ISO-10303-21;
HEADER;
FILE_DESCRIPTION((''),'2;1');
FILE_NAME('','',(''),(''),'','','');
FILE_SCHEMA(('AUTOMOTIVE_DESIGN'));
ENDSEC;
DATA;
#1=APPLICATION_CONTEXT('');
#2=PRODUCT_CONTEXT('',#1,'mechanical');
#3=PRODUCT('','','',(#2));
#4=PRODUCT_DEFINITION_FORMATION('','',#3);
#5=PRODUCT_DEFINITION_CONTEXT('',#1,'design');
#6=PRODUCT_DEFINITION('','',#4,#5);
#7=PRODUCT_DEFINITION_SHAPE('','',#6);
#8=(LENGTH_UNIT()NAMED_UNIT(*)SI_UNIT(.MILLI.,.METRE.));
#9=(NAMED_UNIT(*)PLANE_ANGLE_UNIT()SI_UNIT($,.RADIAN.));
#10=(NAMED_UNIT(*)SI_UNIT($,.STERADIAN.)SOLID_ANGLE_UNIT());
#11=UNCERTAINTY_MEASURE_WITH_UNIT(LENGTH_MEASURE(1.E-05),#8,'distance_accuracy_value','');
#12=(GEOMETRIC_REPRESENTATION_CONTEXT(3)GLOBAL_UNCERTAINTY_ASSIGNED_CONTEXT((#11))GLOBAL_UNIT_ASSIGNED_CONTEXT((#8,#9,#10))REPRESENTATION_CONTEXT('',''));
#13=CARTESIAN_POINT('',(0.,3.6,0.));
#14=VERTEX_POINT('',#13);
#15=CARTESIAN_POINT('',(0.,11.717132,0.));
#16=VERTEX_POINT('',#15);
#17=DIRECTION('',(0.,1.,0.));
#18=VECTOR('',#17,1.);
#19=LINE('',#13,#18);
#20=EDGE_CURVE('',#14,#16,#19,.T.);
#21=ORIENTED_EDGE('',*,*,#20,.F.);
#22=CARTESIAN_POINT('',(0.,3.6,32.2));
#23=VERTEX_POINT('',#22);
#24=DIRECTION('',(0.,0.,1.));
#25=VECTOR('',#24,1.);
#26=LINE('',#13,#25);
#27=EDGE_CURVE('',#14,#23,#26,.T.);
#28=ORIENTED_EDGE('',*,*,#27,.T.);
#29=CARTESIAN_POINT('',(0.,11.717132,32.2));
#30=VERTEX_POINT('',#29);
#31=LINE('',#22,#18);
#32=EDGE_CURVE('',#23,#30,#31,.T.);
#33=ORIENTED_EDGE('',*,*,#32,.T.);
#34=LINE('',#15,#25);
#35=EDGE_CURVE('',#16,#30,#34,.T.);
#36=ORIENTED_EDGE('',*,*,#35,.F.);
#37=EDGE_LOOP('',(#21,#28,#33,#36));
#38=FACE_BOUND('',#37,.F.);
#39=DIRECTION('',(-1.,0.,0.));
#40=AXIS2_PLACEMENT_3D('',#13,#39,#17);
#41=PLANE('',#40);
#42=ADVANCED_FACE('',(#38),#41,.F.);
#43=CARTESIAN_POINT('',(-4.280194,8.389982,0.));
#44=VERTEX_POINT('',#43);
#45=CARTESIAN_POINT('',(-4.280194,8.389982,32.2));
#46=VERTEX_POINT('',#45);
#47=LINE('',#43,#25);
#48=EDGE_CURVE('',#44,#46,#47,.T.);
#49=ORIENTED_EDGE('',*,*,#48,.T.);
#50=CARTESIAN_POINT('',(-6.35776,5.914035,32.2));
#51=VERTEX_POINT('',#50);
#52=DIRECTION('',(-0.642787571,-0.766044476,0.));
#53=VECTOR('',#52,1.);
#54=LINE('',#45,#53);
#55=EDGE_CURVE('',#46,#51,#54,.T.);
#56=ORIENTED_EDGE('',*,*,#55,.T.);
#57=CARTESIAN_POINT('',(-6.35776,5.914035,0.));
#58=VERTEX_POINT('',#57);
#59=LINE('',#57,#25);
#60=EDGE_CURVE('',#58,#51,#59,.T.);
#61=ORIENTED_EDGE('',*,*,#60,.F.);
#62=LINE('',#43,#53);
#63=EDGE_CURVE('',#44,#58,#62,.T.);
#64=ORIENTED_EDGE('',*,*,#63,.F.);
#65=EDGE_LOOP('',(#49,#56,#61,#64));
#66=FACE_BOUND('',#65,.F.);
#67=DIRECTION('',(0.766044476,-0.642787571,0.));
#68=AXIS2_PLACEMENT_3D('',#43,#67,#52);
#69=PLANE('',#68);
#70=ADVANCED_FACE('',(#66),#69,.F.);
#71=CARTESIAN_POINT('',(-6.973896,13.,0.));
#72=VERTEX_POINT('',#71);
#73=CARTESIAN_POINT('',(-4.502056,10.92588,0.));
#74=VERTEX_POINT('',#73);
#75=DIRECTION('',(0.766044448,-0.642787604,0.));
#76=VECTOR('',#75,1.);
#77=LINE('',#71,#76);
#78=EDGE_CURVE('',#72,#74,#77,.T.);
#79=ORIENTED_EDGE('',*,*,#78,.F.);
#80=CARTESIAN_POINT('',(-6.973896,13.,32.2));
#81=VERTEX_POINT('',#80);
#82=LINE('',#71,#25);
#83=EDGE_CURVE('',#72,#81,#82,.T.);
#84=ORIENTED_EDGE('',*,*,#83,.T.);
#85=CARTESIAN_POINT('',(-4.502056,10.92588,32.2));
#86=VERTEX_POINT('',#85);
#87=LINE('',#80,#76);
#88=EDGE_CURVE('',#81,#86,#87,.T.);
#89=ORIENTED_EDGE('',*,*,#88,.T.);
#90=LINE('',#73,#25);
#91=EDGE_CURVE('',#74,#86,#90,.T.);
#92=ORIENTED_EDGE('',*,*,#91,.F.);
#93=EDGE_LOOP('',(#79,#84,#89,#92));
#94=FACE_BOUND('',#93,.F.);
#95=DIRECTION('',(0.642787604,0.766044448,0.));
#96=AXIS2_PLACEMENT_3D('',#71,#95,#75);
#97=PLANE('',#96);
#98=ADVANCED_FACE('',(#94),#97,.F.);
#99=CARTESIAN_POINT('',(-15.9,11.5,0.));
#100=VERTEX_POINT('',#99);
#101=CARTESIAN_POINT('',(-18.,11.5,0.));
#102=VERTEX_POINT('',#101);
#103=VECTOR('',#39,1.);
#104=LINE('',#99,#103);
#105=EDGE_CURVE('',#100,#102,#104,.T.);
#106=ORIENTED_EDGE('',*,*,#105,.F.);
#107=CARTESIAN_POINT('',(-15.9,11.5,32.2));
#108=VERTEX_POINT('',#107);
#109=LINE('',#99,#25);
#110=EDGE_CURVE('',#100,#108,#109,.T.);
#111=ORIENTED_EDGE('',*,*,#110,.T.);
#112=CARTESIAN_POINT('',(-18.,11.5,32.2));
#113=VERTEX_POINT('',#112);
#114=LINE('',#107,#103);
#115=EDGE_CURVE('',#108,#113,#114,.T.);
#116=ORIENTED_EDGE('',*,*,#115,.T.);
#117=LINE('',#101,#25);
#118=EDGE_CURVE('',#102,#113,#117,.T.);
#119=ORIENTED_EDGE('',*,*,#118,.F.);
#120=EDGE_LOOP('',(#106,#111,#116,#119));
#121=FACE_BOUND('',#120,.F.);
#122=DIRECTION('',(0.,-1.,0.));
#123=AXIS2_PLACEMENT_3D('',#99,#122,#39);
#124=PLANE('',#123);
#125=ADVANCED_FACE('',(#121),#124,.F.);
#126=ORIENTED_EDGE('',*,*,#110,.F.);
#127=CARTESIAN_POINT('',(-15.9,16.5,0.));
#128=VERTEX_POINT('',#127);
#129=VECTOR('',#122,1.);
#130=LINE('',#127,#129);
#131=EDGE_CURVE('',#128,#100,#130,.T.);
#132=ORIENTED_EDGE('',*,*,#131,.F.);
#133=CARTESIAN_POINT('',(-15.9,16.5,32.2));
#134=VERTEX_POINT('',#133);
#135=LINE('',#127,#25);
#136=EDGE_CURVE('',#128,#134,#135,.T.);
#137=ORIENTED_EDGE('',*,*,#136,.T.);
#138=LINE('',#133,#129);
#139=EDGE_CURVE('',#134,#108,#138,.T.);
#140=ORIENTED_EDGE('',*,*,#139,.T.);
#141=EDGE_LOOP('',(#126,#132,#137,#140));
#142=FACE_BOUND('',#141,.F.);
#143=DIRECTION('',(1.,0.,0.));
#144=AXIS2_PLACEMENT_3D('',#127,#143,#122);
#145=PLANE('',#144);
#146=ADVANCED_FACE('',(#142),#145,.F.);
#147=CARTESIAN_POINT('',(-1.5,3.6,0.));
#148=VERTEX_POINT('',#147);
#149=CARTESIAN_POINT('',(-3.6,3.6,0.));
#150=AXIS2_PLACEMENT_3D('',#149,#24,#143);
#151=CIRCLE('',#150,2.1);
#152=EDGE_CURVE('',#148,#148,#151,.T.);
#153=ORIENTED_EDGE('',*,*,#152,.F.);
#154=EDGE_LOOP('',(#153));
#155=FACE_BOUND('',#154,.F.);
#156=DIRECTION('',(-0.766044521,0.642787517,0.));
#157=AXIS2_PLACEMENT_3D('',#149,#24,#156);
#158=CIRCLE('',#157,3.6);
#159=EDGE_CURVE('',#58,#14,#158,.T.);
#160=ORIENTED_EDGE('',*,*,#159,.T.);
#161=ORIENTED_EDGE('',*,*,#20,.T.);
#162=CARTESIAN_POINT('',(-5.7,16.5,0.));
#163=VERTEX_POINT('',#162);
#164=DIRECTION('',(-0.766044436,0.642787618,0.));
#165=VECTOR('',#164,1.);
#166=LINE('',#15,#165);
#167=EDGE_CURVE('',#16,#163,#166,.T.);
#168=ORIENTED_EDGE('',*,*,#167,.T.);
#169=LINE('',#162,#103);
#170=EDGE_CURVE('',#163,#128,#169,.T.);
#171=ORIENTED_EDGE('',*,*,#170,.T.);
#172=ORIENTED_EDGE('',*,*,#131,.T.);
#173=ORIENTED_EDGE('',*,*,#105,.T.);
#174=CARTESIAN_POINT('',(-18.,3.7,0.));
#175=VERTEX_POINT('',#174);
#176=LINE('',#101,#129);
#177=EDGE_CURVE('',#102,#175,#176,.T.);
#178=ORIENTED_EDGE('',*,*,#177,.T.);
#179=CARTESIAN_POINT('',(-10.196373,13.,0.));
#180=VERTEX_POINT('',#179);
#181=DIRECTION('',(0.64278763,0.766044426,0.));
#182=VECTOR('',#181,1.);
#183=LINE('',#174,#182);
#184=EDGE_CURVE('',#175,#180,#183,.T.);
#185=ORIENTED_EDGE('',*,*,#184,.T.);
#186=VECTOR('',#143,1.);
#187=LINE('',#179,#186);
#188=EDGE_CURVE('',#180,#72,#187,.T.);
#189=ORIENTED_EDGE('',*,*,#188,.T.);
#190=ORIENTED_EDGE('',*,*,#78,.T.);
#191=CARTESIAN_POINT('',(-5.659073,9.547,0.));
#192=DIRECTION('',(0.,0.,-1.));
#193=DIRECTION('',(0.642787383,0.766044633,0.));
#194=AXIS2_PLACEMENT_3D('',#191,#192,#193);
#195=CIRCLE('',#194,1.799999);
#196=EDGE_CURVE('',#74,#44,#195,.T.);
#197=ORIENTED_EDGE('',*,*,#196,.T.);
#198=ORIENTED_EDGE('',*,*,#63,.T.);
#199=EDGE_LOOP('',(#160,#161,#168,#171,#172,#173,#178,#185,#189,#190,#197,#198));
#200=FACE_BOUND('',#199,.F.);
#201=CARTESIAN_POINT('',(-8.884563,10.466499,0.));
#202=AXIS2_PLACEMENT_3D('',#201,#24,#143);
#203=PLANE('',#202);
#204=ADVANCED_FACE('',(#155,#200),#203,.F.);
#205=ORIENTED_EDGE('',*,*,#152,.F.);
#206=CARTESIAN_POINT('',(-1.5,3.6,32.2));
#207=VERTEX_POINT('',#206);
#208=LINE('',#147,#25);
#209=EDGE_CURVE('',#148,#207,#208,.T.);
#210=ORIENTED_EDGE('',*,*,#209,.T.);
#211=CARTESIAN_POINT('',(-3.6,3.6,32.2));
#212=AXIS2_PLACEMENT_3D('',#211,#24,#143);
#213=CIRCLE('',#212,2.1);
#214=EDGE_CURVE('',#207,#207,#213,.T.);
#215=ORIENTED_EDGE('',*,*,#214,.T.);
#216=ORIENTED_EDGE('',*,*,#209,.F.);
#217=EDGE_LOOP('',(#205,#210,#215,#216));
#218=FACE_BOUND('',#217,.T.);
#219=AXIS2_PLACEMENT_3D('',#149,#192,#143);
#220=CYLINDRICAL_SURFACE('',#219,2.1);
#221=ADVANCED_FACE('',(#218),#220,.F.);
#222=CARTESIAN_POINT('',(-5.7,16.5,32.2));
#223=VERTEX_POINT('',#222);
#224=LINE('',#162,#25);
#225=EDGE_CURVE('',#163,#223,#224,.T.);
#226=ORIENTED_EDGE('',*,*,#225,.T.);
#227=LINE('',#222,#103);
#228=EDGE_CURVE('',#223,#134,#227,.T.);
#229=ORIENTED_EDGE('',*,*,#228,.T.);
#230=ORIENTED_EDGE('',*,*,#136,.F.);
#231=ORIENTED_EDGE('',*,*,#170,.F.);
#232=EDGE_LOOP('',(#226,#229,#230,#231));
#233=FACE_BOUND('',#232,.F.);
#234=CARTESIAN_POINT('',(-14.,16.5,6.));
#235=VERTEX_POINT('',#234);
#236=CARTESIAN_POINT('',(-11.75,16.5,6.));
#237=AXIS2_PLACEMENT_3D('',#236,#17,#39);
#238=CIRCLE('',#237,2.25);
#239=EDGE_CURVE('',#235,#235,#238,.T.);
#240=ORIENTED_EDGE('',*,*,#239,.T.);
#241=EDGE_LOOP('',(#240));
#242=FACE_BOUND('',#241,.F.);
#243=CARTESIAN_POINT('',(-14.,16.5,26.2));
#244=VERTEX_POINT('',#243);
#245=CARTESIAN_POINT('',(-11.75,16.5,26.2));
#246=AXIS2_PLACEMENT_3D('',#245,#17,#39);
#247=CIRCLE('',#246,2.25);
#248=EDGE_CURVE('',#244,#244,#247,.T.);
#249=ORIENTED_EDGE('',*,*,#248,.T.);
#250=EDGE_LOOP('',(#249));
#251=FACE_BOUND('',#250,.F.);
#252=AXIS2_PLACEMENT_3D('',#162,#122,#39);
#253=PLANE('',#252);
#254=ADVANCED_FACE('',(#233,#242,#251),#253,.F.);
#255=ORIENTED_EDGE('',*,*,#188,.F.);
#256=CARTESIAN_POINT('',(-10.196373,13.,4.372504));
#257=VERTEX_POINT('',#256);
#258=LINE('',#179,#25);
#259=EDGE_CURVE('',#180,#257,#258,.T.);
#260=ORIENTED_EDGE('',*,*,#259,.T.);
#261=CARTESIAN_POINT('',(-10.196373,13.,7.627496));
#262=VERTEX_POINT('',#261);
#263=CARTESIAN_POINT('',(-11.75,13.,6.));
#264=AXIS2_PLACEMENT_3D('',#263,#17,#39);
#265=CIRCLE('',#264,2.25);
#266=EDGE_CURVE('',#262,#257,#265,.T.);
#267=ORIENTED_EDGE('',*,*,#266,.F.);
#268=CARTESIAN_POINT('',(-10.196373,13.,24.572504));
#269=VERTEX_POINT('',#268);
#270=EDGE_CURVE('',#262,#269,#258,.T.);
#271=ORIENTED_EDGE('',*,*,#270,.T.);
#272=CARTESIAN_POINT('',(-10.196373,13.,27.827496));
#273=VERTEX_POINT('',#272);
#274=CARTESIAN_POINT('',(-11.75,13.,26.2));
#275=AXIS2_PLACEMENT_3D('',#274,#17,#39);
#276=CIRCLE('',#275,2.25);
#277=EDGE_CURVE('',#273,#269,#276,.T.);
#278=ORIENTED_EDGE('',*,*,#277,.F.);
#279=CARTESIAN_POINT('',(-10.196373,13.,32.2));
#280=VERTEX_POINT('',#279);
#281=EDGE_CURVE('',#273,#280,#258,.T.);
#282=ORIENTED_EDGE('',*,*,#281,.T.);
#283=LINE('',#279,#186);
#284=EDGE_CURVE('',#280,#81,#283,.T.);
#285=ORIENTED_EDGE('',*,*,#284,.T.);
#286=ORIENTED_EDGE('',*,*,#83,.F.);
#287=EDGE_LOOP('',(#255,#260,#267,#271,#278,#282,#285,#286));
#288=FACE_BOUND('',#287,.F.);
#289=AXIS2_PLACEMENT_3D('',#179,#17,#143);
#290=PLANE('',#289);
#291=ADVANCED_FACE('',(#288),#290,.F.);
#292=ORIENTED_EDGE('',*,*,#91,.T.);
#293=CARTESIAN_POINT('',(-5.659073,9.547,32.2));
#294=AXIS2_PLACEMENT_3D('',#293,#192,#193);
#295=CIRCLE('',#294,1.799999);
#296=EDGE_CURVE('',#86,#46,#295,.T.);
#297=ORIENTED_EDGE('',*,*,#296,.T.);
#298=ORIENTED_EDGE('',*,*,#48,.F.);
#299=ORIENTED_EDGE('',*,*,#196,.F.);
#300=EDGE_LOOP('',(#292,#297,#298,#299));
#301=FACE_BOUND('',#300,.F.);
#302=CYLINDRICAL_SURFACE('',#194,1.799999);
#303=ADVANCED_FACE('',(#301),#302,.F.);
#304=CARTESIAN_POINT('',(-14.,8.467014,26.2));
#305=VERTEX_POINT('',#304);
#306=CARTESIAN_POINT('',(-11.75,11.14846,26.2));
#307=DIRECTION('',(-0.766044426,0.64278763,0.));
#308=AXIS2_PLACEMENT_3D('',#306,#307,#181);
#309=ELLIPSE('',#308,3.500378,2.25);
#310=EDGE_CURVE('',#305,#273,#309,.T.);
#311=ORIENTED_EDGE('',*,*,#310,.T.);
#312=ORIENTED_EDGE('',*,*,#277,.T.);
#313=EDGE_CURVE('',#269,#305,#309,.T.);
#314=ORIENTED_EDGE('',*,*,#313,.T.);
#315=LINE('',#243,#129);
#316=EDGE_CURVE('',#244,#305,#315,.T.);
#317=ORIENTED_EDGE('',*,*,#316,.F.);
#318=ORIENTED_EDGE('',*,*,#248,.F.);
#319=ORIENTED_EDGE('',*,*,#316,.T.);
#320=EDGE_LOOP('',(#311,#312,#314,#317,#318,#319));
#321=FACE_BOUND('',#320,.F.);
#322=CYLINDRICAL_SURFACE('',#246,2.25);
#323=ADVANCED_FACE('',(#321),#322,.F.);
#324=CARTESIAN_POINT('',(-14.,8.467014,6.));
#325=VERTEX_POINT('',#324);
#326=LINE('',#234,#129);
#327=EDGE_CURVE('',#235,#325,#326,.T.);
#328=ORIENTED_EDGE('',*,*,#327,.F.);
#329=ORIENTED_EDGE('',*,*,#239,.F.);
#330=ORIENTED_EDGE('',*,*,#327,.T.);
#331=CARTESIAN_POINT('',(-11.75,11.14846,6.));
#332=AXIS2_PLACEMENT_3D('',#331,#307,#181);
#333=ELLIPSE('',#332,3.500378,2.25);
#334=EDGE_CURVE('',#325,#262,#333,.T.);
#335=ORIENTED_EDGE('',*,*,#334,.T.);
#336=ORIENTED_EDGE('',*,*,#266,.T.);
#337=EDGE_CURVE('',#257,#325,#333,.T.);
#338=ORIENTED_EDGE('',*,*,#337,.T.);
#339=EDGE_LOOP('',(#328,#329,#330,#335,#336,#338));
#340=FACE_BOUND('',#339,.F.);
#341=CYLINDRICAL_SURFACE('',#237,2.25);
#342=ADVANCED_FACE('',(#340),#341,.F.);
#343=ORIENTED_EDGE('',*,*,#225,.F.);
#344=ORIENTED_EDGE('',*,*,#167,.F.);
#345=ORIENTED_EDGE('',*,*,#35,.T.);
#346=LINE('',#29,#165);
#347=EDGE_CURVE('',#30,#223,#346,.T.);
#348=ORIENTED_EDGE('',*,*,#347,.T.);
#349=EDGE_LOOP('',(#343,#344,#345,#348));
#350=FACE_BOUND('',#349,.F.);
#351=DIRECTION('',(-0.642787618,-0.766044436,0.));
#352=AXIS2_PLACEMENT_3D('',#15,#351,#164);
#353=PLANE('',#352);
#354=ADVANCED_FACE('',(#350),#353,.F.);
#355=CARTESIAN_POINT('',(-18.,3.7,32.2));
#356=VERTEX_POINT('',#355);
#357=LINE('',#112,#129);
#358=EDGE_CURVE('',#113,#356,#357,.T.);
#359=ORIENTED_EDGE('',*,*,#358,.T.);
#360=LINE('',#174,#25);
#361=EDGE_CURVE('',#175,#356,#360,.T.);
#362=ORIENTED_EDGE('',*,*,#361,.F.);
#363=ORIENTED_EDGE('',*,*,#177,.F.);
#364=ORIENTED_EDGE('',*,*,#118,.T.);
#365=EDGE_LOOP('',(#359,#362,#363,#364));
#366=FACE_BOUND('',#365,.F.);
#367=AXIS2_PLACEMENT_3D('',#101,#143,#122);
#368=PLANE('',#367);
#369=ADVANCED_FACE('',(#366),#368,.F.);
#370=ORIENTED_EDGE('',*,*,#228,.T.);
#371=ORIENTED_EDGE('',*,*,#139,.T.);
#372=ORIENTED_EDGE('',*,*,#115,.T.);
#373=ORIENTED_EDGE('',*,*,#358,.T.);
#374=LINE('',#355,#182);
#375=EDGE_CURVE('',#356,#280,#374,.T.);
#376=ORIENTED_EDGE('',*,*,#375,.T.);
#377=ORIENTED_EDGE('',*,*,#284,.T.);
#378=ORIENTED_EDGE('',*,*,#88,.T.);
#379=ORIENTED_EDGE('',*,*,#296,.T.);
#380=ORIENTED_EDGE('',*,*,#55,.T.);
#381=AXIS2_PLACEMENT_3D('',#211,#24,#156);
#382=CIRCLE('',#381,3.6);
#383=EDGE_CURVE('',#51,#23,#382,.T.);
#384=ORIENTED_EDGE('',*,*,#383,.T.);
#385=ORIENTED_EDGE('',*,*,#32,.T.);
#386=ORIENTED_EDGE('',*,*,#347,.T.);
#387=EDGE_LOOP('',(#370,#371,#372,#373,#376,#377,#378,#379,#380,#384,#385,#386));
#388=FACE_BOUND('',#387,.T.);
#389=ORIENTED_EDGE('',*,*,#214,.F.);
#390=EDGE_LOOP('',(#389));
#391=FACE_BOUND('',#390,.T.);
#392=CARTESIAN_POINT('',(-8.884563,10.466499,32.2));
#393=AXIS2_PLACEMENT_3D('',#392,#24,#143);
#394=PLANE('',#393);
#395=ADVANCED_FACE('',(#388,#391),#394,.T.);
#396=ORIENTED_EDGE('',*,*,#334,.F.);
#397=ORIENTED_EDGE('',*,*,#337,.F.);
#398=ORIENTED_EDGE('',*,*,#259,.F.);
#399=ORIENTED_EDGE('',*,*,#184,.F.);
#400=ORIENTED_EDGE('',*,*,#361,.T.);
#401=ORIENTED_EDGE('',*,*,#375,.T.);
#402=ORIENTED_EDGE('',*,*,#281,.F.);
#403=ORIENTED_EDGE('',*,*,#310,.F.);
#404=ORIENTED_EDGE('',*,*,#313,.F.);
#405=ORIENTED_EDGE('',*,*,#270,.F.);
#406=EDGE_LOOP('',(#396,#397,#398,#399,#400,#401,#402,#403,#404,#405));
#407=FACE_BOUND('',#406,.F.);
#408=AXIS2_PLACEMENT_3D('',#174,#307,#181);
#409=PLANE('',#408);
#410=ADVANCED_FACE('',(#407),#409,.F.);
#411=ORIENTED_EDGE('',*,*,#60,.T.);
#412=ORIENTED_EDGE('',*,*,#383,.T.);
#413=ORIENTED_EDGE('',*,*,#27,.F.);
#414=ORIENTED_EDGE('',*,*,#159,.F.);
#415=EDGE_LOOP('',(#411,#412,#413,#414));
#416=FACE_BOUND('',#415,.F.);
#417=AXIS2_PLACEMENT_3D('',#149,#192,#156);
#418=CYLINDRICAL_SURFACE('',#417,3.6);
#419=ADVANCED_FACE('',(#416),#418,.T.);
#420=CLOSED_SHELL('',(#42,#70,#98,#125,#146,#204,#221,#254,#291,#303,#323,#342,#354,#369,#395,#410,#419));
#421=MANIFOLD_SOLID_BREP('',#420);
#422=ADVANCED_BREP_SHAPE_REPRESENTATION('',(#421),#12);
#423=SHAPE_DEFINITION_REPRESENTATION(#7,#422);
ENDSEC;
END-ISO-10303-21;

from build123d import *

# Parameters (mm, degrees)
F0_R     = 2.1
F1_DEPTH = 32.2
F2_R     = 2.25
F3_DEPTH = 16.501


with BuildPart() as f1:
    # F0 (on Top) → F1 (new body)
    with BuildSketch(Plane.XY):
        with BuildLine():
            Line((-5.7, 16.5), (-15.9, 16.5))
            Line((-15.9, 16.5), (-15.9, 11.5))
            Line((-15.9, 11.5), (-18, 11.5))
            Line((-18, 11.5), (-18, 3.7))
            Line((-18, 3.7), (-10.196373, 13))
            Line((-10.196373, 13), (-6.973896, 13))
            Line((-6.973896, 13), (-4.502056, 10.92588))
            ThreePointArc((-4.502056, 10.92588), (-3.865923, 9.70388), (-4.280194, 8.389982))
            Line((-4.280194, 8.389982), (-6.35776, 5.914035))
            ThreePointArc((-6.35776, 5.914035), (-2.368727, 6.982893), (0, 3.6))
            Line((0, 3.6), (0, 11.717132))
            Line((0, 11.717132), (-5.7, 16.5))
        make_face()
        with BuildLine():
            ThreePointArc((-6.35776, 5.914035), (-4.831273, 0.217107), (0, 3.6))
            ThreePointArc((0, 3.6), (-2.368727, 6.982893), (-6.35776, 5.914035))
        make_face()
        with Locations((-3.6, 3.6)):
            Circle(F0_R, mode=Mode.SUBTRACT)
    extrude(amount=F1_DEPTH)

    # F2 (on face) → F3 (cut, through all)
    with BuildSketch(Plane(origin=(0, 16.5, 0), x_dir=(-1, 0, 0), z_dir=(0, 1, 0))):
        with Locations((11.75, 26.2)):
            Circle(F2_R)
        with Locations((11.75, 6)):
            Circle(F2_R)
    extrude(amount=-F3_DEPTH, mode=Mode.SUBTRACT)


solid = f1.part
